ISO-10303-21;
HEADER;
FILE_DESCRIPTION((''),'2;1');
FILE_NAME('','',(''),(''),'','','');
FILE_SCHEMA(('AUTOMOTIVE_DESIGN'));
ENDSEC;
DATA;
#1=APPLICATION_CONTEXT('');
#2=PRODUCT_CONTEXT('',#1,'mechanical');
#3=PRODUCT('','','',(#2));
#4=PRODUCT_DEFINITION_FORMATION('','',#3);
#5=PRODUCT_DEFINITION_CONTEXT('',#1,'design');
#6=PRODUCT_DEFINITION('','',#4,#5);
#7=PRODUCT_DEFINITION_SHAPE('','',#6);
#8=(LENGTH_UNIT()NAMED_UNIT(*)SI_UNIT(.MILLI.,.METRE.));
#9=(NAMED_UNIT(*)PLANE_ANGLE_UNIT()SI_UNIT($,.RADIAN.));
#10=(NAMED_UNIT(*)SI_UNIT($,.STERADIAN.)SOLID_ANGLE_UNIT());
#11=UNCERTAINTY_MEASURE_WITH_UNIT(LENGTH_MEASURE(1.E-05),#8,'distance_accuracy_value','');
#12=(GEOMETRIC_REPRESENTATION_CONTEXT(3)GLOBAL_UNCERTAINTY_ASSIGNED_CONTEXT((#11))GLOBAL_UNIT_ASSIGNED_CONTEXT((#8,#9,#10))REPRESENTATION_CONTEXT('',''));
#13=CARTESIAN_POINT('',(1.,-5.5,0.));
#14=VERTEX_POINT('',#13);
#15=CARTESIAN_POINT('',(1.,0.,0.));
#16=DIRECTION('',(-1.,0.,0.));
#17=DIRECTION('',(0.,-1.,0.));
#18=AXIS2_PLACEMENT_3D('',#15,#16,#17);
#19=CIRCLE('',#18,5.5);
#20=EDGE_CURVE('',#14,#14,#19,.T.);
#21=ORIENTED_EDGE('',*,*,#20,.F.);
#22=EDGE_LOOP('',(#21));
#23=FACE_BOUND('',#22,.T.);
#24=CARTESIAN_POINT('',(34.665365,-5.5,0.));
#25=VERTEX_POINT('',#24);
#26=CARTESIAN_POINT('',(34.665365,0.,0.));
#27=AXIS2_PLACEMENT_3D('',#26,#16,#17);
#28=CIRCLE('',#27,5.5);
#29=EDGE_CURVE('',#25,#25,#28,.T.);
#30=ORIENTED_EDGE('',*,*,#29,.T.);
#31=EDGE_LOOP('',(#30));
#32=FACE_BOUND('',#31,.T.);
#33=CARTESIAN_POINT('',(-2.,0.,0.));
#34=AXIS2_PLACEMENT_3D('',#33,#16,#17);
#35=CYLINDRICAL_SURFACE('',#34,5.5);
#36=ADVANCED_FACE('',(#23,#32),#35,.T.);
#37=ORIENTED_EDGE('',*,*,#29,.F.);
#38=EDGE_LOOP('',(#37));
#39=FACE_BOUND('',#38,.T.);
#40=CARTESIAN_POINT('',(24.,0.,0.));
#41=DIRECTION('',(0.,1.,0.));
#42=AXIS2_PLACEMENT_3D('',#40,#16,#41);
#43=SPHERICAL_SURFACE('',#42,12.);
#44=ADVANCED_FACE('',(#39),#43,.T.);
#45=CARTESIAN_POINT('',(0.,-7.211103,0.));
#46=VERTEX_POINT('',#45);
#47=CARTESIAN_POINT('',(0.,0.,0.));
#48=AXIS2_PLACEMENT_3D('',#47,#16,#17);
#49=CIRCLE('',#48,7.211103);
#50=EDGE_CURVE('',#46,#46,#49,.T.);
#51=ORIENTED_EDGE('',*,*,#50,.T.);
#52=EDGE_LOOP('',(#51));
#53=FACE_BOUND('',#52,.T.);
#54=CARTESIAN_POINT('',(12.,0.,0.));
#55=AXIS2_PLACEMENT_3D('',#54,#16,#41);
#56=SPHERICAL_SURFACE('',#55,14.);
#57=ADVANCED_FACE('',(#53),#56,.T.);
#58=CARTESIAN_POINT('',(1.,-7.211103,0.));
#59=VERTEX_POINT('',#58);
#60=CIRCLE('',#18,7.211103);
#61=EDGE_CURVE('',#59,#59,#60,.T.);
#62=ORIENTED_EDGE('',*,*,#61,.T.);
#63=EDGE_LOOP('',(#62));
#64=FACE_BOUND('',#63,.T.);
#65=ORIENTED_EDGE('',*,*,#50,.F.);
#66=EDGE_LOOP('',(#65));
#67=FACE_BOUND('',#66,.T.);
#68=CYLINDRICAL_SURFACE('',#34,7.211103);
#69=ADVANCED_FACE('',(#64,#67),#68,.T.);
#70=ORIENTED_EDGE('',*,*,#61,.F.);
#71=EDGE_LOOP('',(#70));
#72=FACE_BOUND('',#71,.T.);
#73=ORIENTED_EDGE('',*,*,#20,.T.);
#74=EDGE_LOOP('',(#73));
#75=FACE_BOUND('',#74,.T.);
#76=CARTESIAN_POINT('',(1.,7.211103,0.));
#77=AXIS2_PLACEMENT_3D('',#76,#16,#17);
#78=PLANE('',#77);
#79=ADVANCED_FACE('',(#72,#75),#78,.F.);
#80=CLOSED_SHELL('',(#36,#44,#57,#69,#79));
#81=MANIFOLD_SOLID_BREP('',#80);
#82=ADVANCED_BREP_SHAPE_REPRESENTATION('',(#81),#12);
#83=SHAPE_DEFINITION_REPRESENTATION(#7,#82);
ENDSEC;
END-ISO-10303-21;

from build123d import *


with BuildPart() as part:
    # 草图1 → 旋转1 (revolve)
    with BuildSketch(Plane.XY):
        with BuildLine():
            Line((0, 7.211102551), (1, 7.211102551))
            Line((1, 7.211102551), (1, 5.5))
            Line((1, 5.5), (34.665364504, 5.5))
            ThreePointArc((34.665364504, 5.5), (35.661568806, 2.82980794), (36, 0))
            Line((36, 0), (-2, 0))
            ThreePointArc((-2, 0), (-1.490737563, 3.741657387), (0, 7.211102551))
        make_face()
    revolve(axis=Axis((-2, 0, 0), (1, 0, 0)))


solid = part.part
